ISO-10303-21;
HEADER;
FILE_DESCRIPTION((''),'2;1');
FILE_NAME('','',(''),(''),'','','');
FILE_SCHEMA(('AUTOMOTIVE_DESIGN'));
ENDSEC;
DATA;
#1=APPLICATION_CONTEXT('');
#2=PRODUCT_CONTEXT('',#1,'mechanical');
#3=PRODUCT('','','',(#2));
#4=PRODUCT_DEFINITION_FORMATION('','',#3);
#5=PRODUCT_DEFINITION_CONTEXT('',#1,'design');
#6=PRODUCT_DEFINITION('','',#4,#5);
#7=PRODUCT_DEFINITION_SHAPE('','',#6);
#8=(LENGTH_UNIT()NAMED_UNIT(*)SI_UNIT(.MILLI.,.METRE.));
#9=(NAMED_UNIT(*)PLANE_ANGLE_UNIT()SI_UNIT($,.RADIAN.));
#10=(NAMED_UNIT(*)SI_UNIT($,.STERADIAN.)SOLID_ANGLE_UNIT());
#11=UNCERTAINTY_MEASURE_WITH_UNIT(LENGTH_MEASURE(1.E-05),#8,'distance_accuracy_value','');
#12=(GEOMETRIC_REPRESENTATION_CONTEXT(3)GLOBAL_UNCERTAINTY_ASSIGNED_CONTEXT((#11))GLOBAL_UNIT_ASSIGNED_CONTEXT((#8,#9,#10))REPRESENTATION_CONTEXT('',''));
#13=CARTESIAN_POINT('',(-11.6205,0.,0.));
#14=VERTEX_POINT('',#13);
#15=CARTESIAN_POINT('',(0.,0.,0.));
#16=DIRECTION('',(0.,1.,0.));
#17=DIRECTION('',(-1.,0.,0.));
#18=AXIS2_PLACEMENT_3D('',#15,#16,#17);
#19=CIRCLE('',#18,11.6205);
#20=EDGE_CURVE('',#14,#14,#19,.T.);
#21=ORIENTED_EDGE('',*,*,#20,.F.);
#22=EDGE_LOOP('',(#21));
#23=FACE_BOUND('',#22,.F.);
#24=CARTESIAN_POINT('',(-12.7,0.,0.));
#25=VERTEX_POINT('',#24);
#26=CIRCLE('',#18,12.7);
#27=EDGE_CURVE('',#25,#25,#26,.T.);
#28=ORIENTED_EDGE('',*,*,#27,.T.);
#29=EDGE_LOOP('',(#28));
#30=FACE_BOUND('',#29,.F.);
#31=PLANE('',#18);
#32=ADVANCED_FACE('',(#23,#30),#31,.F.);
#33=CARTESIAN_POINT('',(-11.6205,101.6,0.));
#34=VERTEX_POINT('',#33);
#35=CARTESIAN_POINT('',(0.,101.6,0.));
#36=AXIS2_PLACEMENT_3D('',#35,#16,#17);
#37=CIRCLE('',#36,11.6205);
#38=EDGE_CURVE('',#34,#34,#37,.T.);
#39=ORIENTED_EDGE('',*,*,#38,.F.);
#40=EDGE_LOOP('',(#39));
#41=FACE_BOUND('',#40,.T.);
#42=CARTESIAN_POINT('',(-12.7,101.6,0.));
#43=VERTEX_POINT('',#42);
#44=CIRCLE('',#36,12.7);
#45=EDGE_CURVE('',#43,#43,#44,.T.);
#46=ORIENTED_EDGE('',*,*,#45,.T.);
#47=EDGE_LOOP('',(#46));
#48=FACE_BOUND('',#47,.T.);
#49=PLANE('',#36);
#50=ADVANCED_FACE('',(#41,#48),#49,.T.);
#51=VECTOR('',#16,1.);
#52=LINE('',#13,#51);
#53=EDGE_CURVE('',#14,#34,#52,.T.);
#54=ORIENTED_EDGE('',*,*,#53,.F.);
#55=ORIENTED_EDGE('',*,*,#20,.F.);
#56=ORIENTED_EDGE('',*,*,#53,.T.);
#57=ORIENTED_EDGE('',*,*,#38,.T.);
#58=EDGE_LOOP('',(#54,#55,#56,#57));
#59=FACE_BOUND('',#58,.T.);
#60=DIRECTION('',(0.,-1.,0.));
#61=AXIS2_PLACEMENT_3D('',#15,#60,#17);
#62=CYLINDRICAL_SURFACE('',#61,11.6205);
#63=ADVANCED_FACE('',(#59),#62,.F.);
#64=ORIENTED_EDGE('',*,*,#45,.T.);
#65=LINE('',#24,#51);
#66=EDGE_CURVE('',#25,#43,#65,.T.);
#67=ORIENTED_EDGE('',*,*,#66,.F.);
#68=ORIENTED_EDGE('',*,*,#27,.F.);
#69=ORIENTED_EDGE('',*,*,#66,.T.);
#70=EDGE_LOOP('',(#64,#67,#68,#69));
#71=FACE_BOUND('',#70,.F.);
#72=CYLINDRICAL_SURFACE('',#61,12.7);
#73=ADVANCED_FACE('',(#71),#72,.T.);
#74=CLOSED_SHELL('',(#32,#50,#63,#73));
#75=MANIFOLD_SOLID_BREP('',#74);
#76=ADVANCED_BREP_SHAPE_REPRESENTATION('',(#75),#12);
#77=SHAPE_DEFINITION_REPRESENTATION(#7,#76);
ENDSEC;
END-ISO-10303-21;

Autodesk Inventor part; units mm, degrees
ref_plane "YZ Plane" through (0, 0, 0) normal (1, 0, 0) x (0, 1, 0)
ref_plane "XZ Plane" through (0, 0, 0) normal (0, 1, 0) x (-1, 0, 0)
ref_plane "XY Plane" through (0, 0, 0) normal (0, 0, 1) x (1, 0, 0)
sketch "Sketch1" plane through (0, 0, 0) normal (0, 1, 0) x (-1, 0, 0)
  circle A0 centre (0, 0) radius 12.7
  circle A1 centre (0, 0) radius 11.6205
  dimension "d0" = 25.4
  dimension "d1" = 23.241
extrude "Extrusion1" add sketch "Sketch1" along normal blind 101.6
properties part number "clawSpindle" material "CFRP"
